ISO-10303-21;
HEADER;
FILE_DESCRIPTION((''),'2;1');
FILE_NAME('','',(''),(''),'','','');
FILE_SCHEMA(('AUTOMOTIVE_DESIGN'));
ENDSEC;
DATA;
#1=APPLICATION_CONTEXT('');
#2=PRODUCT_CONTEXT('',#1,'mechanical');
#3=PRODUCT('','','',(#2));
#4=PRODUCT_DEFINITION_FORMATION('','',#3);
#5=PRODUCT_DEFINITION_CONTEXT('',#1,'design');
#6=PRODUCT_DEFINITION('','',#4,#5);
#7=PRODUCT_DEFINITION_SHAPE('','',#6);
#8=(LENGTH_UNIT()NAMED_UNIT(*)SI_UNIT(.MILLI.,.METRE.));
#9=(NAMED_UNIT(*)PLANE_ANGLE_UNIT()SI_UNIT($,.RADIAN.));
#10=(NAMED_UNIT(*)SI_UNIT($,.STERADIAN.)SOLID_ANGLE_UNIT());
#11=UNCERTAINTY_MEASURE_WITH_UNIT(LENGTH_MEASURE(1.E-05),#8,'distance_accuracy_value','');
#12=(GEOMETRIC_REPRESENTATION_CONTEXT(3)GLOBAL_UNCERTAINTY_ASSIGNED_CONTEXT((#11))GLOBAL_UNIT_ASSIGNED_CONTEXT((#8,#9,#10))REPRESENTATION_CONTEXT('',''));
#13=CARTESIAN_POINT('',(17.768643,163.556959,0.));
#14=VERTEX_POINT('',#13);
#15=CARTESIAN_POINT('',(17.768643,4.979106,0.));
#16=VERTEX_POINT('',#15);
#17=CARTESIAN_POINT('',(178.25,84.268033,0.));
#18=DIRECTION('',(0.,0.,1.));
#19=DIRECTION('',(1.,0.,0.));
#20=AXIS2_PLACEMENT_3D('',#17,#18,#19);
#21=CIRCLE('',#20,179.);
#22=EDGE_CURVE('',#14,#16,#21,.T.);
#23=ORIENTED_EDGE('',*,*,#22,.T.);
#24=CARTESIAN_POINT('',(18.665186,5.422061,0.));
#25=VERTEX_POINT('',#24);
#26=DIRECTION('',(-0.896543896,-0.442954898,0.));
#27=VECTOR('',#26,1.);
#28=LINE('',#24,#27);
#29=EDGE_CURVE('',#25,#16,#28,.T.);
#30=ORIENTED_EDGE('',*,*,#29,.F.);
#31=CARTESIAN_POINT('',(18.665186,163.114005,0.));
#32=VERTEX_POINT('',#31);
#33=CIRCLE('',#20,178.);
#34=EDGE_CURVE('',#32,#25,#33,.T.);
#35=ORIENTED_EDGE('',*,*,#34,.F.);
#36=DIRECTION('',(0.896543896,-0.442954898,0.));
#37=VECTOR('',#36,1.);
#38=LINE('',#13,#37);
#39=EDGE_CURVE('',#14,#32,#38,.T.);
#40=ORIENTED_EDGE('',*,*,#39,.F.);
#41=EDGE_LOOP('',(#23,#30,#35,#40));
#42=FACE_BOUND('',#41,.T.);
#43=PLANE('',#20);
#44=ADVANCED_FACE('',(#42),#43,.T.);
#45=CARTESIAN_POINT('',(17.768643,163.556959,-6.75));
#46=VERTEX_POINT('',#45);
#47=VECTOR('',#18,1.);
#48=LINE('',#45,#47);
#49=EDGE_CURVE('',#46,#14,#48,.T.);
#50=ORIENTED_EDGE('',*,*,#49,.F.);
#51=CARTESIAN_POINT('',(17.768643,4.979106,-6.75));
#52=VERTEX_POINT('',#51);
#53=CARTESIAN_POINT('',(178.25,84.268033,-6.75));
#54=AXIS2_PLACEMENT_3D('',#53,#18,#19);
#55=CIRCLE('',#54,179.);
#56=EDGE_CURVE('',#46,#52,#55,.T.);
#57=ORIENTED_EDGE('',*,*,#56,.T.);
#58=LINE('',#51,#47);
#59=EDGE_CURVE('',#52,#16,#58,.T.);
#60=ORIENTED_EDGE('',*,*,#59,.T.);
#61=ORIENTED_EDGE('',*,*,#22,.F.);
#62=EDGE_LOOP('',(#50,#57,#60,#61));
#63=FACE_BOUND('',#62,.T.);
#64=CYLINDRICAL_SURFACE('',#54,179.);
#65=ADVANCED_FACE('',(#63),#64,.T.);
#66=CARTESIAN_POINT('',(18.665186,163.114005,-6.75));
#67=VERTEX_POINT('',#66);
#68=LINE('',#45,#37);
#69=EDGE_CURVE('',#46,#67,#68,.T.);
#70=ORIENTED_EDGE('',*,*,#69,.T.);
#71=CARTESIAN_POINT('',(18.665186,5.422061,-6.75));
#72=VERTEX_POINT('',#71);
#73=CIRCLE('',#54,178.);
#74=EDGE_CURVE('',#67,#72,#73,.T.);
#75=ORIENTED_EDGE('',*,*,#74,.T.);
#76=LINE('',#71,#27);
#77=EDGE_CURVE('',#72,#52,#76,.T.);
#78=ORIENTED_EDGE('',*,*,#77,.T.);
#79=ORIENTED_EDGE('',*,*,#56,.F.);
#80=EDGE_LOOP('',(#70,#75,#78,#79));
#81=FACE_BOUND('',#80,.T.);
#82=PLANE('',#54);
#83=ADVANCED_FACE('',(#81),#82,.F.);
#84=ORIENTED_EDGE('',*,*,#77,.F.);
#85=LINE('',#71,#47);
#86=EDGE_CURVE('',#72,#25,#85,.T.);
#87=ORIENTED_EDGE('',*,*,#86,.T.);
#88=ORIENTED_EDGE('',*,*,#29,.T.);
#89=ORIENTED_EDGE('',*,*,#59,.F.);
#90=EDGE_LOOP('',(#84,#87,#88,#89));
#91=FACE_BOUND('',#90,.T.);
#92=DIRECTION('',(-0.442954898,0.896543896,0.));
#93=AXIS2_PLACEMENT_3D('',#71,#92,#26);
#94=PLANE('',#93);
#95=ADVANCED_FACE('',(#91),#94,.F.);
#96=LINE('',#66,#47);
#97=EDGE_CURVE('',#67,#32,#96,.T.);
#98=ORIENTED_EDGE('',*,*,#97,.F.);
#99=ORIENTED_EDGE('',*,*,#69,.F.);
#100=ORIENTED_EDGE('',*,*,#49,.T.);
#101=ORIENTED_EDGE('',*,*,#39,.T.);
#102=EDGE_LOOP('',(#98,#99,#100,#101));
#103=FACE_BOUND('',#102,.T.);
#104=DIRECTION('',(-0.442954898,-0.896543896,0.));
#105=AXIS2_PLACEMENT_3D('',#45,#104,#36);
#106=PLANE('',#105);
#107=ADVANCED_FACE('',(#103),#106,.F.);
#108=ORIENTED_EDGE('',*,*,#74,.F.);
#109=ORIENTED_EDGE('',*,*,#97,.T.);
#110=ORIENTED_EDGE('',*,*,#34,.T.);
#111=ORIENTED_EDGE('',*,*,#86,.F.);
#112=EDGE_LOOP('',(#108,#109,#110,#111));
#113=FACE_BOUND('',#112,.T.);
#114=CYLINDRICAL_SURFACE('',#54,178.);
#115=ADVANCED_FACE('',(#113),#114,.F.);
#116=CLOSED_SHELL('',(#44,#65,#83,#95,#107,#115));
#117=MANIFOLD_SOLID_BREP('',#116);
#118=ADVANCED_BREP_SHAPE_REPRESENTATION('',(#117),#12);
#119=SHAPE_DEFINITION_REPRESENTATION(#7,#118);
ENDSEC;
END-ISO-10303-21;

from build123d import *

# Parameters (mm, degrees)
EXTRUDE_THIN1_DEPTH = 6.75


with BuildPart() as part:
    # Sketch1 → Extrude-Thin1 (new body)
    with BuildSketch(Plane.XY):
        with BuildLine():
            ThreePointArc((18.665186435, 163.114004553), (0.25, 84.268032687), (18.665186435, 5.422060821))
            Line((18.665186435, 5.422060821), (17.768642539, 4.979105923))
            ThreePointArc((17.768642539, 4.979105923), (-0.75, 84.268032687), (17.768642539, 163.556959451))
            Line((17.768642539, 163.556959451), (18.665186435, 163.114004553))
        make_face()
    extrude(amount=-EXTRUDE_THIN1_DEPTH)


solid = part.part
